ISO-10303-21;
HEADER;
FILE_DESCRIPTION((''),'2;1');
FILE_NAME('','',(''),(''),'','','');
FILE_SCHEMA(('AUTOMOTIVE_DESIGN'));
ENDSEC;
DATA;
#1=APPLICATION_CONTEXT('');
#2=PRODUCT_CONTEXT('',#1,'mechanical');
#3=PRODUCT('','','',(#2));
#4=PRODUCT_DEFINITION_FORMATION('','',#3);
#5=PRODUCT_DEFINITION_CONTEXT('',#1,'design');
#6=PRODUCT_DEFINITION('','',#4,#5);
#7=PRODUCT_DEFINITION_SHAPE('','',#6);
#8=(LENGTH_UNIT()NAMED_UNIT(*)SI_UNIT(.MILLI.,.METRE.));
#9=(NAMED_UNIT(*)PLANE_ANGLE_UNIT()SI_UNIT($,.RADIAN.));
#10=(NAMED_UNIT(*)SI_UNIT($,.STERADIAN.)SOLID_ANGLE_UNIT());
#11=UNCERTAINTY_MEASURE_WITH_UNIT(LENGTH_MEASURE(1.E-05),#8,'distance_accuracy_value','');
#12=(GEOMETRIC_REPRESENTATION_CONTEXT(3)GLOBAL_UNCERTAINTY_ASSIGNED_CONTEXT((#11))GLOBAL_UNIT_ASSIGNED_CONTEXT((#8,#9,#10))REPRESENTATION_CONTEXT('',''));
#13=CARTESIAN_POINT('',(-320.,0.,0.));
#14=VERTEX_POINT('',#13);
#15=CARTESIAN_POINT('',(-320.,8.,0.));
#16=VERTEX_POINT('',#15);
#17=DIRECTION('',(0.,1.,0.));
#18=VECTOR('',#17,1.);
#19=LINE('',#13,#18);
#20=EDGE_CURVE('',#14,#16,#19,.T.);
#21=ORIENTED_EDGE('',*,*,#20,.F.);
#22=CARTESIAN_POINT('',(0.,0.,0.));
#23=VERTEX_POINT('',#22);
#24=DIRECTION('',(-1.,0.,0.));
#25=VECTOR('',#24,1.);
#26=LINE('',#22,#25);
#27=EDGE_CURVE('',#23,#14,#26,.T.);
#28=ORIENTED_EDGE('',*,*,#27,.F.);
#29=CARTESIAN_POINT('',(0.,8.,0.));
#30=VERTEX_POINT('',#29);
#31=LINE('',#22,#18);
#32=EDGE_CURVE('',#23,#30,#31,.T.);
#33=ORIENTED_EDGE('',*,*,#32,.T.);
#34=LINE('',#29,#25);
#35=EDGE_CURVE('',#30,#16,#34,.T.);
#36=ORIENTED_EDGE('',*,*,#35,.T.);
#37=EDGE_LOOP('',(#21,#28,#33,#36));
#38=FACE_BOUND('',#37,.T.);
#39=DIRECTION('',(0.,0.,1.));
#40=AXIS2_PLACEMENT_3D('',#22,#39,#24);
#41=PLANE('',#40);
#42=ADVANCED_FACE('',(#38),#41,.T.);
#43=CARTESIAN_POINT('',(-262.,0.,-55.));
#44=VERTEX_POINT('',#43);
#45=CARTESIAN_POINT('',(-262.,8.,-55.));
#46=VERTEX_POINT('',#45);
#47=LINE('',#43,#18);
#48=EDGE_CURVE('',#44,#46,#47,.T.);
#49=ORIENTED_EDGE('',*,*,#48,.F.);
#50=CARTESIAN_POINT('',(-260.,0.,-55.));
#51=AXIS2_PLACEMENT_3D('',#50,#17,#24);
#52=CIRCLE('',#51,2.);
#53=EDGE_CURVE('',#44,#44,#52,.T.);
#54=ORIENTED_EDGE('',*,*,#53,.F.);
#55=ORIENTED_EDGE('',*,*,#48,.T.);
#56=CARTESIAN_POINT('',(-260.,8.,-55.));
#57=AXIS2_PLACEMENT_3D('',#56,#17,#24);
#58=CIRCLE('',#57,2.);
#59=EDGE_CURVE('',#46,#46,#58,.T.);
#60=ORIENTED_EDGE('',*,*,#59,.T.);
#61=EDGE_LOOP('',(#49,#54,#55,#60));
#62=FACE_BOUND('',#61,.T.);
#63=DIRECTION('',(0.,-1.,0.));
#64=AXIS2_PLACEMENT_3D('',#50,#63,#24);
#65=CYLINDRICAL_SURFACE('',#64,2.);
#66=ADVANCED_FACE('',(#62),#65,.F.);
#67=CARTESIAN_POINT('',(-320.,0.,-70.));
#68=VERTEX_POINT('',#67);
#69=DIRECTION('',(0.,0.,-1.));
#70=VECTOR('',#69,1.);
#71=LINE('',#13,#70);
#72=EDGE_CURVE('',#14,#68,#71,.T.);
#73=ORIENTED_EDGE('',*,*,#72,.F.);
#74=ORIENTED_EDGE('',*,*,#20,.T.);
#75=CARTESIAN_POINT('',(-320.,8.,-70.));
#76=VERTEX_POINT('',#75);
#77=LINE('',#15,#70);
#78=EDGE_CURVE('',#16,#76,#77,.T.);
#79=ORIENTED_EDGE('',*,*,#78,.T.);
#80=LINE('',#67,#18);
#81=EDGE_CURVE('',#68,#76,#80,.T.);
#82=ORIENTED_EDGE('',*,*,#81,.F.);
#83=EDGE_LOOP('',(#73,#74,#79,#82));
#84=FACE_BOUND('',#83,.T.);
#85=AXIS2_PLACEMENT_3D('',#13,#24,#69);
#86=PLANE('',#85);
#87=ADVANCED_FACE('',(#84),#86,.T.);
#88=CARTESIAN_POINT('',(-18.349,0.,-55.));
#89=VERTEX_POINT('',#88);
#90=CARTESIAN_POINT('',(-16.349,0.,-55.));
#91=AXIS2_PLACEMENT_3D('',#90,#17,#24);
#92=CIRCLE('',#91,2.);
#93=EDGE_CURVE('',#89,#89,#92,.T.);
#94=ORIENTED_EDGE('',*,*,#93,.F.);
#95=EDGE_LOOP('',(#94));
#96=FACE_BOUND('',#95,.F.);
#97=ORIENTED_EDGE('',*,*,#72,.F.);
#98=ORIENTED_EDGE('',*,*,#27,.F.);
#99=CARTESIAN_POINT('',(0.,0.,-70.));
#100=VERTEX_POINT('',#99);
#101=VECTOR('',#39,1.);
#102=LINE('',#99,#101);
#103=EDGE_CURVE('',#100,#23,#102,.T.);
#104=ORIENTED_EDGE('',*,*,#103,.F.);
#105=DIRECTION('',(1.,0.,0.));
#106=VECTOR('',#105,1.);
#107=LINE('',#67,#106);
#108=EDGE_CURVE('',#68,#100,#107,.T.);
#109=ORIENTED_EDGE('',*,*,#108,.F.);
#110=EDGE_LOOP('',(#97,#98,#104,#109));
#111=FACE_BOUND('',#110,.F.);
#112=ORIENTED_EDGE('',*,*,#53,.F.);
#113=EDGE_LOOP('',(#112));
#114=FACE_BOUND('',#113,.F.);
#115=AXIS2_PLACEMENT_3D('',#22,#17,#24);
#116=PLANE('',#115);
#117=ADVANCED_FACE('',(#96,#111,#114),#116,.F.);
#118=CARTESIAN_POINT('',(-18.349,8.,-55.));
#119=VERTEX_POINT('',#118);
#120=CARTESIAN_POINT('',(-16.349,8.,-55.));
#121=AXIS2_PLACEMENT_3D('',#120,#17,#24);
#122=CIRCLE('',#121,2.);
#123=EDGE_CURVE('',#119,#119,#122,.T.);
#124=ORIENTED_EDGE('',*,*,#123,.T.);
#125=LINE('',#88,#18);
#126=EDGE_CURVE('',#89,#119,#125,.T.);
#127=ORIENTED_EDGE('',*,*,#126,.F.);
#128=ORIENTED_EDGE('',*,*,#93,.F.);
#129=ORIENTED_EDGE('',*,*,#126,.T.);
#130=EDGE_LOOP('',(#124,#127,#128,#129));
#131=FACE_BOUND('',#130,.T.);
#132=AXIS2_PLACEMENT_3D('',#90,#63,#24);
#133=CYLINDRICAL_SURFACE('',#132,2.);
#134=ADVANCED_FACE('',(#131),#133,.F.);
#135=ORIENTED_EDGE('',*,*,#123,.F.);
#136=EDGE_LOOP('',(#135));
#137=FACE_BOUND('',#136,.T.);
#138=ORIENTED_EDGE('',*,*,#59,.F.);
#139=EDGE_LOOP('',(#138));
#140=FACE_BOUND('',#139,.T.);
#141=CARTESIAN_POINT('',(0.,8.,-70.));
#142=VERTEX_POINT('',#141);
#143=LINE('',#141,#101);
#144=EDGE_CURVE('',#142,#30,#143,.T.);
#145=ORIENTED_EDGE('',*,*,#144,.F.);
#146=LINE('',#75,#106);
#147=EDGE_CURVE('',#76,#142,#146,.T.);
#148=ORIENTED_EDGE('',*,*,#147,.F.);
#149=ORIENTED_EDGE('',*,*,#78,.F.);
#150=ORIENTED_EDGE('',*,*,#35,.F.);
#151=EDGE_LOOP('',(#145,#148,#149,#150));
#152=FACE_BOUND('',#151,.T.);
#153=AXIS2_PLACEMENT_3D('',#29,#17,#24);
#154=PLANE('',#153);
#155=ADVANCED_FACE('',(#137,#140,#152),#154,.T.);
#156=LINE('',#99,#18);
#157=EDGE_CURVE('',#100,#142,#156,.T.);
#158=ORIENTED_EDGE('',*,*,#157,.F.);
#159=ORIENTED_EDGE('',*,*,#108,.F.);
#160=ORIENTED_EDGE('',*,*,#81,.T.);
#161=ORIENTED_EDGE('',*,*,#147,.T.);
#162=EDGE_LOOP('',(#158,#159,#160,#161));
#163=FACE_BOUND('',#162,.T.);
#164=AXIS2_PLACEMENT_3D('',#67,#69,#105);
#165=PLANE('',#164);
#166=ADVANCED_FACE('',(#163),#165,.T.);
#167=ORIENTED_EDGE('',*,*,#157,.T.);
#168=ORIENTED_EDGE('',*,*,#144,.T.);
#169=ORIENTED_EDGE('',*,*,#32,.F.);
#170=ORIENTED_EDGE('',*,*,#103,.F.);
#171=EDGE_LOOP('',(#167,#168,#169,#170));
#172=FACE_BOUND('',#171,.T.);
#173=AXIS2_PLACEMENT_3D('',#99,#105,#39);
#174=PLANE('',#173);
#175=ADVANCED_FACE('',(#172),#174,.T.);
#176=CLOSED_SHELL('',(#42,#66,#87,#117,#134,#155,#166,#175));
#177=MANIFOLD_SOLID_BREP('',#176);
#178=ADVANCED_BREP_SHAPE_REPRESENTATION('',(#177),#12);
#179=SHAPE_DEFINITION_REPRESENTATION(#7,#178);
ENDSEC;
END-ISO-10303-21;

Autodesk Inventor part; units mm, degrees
ref_plane "YZ Plane" through (0, 0, 0) normal (1, 0, 0) x (0, 1, 0)
ref_plane "XZ Plane" through (0, 0, 0) normal (0, 1, 0) x (-1, 0, 0)
ref_plane "XY Plane" through (0, 0, 0) normal (0, 0, 1) x (1, 0, 0)
sketch "Sketch1" plane through (0, 0, 0) normal (0, 1, 0) x (-1, 0, 0)
  line L0 (0, 0) -> (320, 0)
  line L1 (320, 0) -> (320, -70)
  line L2 (320, -70) -> (0, -70)
  line L3 (0, -70) -> (0, 0)
  circle A0 centre (260, -55) radius 2
  circle A1 centre (16.349, -55) radius 2
  dimension "d0" = 320
  dimension "d1" = 70
  dimension "d2" = 4
  dimension "d3" = 4
  dimension "d4" = 243.651
  dimension "d5" = 60
  dimension "d6" = 15
  dimension "d7" = 15
extrude "Extrusion1" add sketch "Sketch1" along normal blind 8
equation "\"d7\" = d6"
properties part number "Wing_base"
